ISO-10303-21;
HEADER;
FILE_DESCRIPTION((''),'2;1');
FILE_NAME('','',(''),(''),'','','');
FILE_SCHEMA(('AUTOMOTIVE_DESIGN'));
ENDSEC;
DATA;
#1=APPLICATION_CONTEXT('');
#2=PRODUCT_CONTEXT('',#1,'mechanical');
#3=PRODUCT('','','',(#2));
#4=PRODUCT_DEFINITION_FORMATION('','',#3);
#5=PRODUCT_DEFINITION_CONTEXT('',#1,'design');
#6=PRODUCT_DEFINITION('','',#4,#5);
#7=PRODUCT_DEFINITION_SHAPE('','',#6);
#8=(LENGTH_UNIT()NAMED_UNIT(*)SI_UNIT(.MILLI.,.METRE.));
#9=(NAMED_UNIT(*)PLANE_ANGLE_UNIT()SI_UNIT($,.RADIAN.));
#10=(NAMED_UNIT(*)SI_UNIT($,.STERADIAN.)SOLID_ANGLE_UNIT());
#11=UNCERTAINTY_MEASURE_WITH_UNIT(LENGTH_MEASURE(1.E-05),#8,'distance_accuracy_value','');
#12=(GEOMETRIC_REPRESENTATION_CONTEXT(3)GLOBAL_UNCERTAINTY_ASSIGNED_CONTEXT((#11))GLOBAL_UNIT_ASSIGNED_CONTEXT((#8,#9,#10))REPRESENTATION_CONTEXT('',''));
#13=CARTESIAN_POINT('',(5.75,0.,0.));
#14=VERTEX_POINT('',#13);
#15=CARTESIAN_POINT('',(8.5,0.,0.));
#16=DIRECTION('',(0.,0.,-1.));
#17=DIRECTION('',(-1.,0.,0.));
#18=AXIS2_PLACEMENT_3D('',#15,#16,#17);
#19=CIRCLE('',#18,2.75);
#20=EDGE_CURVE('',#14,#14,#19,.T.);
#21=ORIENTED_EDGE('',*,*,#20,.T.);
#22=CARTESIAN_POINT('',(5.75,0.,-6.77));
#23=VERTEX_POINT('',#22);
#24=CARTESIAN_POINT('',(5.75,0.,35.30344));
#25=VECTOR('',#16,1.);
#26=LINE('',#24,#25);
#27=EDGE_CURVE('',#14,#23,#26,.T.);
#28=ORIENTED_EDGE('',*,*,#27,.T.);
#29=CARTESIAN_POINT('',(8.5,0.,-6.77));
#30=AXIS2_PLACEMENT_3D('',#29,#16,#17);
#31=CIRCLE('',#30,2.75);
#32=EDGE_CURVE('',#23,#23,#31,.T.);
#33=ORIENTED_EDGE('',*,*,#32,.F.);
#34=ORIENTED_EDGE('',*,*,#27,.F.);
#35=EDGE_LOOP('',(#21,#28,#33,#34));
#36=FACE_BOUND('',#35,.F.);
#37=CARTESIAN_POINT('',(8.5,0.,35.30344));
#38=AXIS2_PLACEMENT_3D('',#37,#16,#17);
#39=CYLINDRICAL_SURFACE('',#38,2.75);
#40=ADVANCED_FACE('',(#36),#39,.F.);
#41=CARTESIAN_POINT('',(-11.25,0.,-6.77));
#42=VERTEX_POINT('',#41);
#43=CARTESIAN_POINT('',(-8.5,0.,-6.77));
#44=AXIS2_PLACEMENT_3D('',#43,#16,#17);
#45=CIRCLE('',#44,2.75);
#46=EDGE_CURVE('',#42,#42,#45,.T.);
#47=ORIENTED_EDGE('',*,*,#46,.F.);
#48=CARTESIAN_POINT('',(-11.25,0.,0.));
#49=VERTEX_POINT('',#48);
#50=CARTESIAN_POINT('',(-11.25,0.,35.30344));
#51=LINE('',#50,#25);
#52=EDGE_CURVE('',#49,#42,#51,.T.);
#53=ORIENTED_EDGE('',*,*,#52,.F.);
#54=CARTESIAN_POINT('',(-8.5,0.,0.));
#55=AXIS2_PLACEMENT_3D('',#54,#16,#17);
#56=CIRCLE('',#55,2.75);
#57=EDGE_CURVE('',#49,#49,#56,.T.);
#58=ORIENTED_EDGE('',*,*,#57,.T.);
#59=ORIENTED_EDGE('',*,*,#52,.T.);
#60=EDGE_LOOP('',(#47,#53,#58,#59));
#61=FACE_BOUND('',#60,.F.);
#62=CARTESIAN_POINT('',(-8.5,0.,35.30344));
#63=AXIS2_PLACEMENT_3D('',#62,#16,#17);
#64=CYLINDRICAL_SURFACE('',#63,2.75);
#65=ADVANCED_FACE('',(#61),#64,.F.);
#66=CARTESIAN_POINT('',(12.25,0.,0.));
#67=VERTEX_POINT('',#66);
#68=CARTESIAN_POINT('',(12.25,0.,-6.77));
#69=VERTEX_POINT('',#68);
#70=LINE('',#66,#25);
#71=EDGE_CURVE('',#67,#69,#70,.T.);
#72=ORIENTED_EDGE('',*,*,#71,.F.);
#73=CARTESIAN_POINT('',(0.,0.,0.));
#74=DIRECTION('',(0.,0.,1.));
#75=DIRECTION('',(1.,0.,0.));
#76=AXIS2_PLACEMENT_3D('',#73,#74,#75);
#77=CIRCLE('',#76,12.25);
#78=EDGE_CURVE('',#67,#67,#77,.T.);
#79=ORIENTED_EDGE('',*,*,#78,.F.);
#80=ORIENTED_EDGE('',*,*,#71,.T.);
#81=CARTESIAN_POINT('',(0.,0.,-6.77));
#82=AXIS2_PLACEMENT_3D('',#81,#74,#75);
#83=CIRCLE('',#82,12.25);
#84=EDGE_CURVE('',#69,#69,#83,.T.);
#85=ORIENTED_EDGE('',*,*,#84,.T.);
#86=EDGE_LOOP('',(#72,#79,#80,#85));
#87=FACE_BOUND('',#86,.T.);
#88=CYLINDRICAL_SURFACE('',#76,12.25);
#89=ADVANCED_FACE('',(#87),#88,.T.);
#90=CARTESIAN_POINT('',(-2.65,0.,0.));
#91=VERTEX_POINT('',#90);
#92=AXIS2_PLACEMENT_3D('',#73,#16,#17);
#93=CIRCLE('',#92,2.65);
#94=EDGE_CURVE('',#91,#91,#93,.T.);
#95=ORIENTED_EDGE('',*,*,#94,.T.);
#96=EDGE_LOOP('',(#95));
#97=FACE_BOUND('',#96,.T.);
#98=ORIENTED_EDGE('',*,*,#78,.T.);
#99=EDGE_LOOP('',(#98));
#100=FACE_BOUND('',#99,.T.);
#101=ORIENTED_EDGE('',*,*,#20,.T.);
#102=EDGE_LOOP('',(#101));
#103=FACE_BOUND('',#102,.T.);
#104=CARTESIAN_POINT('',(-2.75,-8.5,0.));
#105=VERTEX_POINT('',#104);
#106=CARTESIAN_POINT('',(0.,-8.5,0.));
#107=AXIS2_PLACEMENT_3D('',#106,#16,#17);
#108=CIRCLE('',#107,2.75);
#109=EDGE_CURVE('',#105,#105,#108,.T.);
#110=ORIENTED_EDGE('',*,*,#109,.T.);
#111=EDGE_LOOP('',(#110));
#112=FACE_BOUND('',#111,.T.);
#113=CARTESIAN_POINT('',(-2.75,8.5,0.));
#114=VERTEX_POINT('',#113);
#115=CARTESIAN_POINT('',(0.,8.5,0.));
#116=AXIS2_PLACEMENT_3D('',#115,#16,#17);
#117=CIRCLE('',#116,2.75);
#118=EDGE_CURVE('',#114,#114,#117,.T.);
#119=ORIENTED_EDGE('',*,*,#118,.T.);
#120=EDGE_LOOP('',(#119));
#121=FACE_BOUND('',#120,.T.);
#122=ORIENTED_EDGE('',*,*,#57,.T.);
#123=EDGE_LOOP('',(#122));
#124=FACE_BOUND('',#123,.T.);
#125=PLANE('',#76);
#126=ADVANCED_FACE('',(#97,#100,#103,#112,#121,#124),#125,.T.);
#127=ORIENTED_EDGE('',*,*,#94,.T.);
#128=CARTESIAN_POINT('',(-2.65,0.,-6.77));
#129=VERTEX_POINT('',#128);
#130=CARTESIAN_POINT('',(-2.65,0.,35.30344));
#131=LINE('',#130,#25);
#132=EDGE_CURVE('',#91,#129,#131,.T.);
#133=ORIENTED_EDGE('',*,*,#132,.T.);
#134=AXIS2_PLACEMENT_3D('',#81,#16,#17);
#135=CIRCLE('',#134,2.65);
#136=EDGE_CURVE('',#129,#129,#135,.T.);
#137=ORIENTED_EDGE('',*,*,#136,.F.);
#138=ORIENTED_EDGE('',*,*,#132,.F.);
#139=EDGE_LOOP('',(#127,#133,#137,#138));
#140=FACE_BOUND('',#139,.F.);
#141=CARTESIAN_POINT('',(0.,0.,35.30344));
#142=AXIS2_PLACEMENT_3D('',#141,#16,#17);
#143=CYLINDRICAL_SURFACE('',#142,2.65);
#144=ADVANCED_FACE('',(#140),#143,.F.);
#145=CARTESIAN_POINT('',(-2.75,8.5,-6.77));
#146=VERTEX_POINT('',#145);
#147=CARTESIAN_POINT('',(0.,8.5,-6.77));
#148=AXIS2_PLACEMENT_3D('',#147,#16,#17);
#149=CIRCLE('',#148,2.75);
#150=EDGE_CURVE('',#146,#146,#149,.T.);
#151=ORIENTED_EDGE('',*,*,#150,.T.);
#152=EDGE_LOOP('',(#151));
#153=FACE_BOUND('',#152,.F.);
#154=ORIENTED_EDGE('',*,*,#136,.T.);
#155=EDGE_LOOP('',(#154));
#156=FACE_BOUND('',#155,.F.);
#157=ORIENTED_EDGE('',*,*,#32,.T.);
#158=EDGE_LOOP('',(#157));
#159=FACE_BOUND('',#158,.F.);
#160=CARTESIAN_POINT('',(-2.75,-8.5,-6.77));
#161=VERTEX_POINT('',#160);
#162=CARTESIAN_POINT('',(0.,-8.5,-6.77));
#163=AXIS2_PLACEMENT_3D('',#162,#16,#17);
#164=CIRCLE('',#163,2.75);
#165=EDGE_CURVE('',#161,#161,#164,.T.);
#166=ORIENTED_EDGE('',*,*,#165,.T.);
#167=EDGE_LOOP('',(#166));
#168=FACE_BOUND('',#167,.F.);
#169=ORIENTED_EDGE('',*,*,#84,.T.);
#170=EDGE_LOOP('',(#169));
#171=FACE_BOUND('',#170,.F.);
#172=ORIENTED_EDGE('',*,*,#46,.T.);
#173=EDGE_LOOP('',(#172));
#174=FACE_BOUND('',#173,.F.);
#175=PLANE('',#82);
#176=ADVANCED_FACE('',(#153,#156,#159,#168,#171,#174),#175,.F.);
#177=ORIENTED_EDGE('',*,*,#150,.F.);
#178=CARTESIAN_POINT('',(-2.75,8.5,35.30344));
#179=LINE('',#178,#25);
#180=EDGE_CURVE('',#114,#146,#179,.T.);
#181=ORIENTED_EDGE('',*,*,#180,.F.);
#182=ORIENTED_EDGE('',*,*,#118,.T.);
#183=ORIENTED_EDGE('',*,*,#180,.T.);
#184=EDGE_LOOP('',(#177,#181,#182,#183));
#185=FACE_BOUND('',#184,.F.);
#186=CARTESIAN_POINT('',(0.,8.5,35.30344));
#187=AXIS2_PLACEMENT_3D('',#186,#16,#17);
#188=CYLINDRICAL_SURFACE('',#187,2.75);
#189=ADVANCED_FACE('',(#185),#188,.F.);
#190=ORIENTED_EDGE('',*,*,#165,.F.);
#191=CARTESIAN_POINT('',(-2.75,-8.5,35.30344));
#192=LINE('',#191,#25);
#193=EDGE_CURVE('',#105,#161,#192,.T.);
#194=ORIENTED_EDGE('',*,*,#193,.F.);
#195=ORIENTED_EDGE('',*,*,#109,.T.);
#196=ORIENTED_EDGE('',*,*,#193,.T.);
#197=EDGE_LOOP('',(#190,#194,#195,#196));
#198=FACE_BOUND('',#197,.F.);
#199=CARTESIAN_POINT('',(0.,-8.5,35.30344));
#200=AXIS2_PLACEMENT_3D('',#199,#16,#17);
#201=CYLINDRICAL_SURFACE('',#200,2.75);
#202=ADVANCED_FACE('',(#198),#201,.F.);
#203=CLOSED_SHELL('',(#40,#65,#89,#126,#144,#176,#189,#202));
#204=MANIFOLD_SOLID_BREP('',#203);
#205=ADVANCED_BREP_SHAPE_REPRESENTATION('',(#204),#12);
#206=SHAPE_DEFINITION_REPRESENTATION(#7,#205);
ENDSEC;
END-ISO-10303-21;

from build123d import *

# Parameters (mm, degrees)
F0_R     = 12.25
F1_DEPTH = 6.77
F2_D     = 5.5
F3_D     = 5.3


with BuildPart() as f1:
    # F0 (on Top) → F1 (new body)
    with BuildSketch(Plane.XY):
        Circle(F0_R)
    extrude(amount=-F1_DEPTH)

    # F2 (through all)
    with Locations(Plane.XY):
        with Locations((0, 8.5), (-8.5, 0), (0, -8.5), (8.5, 0)):
            Hole(F2_D / 2)

    # F3 (through all)
    with Locations(Plane.XY):
        with Locations((0, 0)):
            Hole(F3_D / 2)


solid = f1.part
